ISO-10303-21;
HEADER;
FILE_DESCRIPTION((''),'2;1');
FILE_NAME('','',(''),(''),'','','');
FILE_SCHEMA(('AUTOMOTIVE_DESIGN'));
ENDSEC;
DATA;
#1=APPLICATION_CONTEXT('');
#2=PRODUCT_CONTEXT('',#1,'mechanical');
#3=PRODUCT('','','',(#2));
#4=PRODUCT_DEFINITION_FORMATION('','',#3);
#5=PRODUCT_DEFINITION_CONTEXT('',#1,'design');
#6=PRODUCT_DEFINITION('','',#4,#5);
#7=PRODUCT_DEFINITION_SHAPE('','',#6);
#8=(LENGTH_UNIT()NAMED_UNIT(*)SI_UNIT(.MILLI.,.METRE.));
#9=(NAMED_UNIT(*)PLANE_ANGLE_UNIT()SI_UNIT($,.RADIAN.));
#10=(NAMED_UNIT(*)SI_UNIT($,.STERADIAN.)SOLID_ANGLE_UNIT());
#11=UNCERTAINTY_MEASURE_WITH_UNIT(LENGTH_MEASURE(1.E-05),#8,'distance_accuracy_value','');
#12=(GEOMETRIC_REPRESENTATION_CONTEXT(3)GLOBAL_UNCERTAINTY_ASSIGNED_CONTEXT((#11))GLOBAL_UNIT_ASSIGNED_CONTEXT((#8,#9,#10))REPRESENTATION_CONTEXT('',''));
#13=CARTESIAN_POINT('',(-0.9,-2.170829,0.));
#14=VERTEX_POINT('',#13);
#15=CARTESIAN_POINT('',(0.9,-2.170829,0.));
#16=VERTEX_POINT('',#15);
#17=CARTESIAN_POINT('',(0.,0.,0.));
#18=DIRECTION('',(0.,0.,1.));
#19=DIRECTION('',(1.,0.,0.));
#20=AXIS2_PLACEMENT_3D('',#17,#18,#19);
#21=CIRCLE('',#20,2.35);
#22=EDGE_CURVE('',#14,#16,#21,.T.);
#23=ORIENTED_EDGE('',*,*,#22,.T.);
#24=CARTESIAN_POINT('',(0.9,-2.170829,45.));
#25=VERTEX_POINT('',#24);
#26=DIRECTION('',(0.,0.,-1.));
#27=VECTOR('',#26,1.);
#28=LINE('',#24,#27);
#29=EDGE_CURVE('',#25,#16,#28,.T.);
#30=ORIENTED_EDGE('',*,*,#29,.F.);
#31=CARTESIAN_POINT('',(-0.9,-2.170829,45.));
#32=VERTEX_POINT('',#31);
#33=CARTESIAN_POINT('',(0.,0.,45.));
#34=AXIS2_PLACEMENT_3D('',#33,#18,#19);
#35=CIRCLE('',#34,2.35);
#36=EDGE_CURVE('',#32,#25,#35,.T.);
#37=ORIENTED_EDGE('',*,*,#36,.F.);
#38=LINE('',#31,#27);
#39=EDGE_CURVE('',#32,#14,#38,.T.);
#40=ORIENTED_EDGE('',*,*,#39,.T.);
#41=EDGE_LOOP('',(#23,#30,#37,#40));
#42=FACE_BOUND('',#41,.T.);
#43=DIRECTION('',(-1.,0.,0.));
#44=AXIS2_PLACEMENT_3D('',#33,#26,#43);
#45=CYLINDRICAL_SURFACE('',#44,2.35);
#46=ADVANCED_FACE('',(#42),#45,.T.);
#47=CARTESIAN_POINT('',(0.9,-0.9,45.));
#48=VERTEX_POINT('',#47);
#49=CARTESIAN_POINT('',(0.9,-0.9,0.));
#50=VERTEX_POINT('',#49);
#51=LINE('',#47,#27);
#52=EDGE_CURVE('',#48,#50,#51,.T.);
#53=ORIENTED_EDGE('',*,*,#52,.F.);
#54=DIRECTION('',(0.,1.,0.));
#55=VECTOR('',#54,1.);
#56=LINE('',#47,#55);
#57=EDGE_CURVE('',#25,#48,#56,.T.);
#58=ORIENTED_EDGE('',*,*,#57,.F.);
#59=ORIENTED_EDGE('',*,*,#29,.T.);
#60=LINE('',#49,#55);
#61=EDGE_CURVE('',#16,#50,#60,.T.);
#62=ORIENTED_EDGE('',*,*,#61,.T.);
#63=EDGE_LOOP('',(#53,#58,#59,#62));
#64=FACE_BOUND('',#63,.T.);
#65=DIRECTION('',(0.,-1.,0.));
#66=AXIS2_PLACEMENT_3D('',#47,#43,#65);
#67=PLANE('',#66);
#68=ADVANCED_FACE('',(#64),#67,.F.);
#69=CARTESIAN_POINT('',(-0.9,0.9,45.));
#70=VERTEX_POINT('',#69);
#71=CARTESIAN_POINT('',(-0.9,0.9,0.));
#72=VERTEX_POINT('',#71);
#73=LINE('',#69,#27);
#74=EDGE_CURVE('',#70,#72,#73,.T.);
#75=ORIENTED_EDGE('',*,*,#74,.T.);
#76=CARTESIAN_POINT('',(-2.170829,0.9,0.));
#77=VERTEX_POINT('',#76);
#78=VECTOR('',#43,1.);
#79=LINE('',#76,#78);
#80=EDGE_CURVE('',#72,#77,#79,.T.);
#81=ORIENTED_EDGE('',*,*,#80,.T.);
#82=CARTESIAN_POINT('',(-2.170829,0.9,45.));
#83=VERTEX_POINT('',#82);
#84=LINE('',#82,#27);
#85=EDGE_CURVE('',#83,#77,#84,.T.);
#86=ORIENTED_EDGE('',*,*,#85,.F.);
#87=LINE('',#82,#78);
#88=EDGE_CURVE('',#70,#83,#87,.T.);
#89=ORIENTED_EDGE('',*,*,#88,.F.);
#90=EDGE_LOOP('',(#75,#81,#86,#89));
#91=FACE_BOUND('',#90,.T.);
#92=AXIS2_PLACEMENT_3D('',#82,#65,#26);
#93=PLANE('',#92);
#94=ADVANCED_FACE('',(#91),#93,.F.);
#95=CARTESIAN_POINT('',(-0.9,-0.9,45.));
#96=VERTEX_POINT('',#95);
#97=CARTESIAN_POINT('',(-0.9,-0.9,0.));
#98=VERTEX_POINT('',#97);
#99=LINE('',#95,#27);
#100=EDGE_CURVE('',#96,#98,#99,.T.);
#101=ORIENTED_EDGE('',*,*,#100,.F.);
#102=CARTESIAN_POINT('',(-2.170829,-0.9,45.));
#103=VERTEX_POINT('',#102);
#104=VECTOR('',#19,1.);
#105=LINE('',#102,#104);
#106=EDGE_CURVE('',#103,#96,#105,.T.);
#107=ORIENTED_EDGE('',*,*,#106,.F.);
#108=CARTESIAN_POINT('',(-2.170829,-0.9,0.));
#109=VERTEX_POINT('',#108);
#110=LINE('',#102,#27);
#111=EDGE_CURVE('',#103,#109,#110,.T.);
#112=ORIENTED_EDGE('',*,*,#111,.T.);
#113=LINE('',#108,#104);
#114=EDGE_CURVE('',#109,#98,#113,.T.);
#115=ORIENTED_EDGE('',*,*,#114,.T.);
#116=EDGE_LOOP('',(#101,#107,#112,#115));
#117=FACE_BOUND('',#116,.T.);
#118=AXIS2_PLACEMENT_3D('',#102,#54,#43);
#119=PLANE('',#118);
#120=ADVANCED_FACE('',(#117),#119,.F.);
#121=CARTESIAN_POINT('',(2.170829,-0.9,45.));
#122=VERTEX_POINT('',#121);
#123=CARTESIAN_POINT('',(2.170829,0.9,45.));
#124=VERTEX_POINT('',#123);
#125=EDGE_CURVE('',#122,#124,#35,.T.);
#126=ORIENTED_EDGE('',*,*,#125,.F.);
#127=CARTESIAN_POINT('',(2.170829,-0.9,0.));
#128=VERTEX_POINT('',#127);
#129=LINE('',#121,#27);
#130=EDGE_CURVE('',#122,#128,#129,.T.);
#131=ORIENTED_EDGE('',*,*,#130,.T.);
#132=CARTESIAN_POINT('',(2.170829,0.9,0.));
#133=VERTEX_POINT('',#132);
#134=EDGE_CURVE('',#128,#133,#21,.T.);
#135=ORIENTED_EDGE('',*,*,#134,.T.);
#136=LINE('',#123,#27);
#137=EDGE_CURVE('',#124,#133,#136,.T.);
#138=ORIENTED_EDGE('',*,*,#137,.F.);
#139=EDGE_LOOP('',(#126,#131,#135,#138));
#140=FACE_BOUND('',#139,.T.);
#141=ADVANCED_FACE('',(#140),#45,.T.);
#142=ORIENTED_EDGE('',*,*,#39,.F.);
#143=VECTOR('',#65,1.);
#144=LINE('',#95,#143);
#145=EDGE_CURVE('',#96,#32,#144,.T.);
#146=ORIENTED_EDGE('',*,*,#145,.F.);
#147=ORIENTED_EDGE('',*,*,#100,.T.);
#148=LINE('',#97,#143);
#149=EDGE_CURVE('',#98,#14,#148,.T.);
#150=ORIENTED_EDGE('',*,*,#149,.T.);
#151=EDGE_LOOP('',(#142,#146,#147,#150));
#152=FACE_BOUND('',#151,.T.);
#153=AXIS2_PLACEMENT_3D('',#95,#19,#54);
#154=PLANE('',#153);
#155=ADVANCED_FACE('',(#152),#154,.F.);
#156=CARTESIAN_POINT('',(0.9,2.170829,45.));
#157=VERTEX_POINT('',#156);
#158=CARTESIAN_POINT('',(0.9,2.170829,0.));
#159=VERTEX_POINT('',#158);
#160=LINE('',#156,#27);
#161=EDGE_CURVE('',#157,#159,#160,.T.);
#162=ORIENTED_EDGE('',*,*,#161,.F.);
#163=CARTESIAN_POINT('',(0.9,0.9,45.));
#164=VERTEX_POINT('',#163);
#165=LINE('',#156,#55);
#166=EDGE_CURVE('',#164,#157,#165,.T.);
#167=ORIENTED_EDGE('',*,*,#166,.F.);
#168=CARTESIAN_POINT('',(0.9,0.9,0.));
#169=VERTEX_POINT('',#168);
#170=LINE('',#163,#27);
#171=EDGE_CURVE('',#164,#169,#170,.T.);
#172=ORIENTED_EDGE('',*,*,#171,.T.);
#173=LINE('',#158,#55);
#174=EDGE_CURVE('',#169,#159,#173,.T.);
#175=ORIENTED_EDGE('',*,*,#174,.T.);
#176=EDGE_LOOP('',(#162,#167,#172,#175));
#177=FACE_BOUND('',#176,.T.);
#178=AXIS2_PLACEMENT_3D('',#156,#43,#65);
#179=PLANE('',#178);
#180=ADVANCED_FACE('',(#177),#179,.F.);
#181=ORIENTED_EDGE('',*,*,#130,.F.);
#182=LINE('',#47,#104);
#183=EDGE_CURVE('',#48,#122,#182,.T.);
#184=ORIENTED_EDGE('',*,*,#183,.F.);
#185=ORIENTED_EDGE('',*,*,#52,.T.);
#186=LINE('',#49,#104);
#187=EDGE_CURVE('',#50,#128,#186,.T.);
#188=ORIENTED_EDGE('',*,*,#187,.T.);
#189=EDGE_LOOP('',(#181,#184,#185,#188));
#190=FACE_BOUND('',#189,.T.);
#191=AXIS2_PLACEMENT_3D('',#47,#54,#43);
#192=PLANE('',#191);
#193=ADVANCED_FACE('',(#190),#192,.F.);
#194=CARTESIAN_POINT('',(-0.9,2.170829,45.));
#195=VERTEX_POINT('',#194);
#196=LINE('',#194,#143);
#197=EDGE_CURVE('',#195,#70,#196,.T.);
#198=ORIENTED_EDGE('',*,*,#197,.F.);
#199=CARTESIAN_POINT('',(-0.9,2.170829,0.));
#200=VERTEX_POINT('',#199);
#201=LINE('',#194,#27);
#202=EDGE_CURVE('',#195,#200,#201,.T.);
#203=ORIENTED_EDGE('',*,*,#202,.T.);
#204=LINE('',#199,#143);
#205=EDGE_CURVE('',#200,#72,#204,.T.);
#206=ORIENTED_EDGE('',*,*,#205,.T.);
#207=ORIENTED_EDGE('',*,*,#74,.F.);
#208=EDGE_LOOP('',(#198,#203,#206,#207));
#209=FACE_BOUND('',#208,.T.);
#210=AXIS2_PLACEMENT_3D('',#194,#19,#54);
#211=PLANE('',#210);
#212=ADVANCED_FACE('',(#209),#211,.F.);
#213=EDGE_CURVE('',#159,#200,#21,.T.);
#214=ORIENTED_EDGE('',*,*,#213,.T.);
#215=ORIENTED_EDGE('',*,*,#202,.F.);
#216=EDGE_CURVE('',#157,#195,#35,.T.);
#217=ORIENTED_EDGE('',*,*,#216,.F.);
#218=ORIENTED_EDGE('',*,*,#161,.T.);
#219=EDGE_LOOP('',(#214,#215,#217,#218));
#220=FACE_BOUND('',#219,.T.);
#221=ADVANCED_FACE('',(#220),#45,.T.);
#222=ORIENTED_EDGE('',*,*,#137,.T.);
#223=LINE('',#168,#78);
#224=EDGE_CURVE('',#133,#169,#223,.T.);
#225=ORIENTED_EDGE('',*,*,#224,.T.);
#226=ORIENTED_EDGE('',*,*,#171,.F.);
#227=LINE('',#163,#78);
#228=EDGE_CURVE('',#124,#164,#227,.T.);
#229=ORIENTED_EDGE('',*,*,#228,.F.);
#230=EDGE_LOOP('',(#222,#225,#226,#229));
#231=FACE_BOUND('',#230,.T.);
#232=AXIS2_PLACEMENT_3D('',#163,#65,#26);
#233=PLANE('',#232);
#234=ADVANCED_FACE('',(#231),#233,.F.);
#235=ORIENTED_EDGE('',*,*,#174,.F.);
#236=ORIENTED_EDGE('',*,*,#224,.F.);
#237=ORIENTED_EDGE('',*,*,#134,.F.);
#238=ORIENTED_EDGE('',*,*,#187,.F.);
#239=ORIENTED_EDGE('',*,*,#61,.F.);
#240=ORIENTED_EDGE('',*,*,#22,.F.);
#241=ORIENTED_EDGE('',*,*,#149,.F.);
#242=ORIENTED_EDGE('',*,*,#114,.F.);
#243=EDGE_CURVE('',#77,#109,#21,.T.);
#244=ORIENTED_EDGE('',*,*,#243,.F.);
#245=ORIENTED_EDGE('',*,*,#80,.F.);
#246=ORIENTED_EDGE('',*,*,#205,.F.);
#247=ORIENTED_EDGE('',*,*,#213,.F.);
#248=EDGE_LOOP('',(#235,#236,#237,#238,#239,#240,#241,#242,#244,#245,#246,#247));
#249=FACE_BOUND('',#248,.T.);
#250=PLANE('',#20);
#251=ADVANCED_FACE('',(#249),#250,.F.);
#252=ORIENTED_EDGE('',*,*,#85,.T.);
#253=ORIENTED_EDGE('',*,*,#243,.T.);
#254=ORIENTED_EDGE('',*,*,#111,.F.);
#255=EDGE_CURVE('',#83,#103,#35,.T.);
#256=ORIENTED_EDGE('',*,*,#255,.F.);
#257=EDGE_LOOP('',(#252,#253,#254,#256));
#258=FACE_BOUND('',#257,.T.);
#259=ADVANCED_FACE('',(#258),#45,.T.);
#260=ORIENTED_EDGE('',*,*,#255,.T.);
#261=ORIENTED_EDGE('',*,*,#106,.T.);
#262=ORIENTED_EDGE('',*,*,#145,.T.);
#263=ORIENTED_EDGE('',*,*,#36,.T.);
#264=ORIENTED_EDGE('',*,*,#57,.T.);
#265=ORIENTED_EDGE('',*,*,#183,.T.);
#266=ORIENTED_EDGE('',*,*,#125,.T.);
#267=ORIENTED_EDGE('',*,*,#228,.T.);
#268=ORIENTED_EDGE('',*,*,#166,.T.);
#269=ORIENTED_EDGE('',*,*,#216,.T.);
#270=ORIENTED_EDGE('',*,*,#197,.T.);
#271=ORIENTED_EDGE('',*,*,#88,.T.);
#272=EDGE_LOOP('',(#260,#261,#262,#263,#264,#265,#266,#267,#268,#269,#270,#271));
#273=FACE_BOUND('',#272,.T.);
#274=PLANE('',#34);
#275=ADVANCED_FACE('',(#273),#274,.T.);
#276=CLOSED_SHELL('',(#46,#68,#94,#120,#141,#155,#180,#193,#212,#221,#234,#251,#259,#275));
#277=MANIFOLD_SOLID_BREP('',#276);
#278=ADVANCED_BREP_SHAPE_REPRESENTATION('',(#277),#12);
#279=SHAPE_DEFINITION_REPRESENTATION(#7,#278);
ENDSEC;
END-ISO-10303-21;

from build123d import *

# Parameters (mm, degrees)
BOSS_EXTRUDE1_DEPTH = 45


with BuildPart() as part:
    # Sketch1 → Boss-Extrude1 (new body)
    with BuildSketch(Plane.XY):
        with BuildLine():
            Line((-0.9, 2.170829335), (-0.9, 0.9))
            Line((-0.9, 0.9), (-2.170829335, 0.9))
            ThreePointArc((-2.170829335, 0.9), (-2.35, 0), (-2.170829335, -0.9))
            Line((-2.170829335, -0.9), (-0.9, -0.9))
            Line((-0.9, -0.9), (-0.9, -2.170829335))
            ThreePointArc((-0.9, -2.170829335), (0, -2.35), (0.9, -2.170829335))
            Line((0.9, -2.170829335), (0.9, -0.9))
            Line((0.9, -0.9), (2.170829335, -0.9))
            ThreePointArc((2.170829335, -0.9), (2.35, 0), (2.170829335, 0.9))
            Line((2.170829335, 0.9), (0.9, 0.9))
            Line((0.9, 0.9), (0.9, 2.170829335))
            ThreePointArc((0.9, 2.170829335), (0, 2.35), (-0.9, 2.170829335))
        make_face()
    extrude(amount=BOSS_EXTRUDE1_DEPTH)


solid = part.part
